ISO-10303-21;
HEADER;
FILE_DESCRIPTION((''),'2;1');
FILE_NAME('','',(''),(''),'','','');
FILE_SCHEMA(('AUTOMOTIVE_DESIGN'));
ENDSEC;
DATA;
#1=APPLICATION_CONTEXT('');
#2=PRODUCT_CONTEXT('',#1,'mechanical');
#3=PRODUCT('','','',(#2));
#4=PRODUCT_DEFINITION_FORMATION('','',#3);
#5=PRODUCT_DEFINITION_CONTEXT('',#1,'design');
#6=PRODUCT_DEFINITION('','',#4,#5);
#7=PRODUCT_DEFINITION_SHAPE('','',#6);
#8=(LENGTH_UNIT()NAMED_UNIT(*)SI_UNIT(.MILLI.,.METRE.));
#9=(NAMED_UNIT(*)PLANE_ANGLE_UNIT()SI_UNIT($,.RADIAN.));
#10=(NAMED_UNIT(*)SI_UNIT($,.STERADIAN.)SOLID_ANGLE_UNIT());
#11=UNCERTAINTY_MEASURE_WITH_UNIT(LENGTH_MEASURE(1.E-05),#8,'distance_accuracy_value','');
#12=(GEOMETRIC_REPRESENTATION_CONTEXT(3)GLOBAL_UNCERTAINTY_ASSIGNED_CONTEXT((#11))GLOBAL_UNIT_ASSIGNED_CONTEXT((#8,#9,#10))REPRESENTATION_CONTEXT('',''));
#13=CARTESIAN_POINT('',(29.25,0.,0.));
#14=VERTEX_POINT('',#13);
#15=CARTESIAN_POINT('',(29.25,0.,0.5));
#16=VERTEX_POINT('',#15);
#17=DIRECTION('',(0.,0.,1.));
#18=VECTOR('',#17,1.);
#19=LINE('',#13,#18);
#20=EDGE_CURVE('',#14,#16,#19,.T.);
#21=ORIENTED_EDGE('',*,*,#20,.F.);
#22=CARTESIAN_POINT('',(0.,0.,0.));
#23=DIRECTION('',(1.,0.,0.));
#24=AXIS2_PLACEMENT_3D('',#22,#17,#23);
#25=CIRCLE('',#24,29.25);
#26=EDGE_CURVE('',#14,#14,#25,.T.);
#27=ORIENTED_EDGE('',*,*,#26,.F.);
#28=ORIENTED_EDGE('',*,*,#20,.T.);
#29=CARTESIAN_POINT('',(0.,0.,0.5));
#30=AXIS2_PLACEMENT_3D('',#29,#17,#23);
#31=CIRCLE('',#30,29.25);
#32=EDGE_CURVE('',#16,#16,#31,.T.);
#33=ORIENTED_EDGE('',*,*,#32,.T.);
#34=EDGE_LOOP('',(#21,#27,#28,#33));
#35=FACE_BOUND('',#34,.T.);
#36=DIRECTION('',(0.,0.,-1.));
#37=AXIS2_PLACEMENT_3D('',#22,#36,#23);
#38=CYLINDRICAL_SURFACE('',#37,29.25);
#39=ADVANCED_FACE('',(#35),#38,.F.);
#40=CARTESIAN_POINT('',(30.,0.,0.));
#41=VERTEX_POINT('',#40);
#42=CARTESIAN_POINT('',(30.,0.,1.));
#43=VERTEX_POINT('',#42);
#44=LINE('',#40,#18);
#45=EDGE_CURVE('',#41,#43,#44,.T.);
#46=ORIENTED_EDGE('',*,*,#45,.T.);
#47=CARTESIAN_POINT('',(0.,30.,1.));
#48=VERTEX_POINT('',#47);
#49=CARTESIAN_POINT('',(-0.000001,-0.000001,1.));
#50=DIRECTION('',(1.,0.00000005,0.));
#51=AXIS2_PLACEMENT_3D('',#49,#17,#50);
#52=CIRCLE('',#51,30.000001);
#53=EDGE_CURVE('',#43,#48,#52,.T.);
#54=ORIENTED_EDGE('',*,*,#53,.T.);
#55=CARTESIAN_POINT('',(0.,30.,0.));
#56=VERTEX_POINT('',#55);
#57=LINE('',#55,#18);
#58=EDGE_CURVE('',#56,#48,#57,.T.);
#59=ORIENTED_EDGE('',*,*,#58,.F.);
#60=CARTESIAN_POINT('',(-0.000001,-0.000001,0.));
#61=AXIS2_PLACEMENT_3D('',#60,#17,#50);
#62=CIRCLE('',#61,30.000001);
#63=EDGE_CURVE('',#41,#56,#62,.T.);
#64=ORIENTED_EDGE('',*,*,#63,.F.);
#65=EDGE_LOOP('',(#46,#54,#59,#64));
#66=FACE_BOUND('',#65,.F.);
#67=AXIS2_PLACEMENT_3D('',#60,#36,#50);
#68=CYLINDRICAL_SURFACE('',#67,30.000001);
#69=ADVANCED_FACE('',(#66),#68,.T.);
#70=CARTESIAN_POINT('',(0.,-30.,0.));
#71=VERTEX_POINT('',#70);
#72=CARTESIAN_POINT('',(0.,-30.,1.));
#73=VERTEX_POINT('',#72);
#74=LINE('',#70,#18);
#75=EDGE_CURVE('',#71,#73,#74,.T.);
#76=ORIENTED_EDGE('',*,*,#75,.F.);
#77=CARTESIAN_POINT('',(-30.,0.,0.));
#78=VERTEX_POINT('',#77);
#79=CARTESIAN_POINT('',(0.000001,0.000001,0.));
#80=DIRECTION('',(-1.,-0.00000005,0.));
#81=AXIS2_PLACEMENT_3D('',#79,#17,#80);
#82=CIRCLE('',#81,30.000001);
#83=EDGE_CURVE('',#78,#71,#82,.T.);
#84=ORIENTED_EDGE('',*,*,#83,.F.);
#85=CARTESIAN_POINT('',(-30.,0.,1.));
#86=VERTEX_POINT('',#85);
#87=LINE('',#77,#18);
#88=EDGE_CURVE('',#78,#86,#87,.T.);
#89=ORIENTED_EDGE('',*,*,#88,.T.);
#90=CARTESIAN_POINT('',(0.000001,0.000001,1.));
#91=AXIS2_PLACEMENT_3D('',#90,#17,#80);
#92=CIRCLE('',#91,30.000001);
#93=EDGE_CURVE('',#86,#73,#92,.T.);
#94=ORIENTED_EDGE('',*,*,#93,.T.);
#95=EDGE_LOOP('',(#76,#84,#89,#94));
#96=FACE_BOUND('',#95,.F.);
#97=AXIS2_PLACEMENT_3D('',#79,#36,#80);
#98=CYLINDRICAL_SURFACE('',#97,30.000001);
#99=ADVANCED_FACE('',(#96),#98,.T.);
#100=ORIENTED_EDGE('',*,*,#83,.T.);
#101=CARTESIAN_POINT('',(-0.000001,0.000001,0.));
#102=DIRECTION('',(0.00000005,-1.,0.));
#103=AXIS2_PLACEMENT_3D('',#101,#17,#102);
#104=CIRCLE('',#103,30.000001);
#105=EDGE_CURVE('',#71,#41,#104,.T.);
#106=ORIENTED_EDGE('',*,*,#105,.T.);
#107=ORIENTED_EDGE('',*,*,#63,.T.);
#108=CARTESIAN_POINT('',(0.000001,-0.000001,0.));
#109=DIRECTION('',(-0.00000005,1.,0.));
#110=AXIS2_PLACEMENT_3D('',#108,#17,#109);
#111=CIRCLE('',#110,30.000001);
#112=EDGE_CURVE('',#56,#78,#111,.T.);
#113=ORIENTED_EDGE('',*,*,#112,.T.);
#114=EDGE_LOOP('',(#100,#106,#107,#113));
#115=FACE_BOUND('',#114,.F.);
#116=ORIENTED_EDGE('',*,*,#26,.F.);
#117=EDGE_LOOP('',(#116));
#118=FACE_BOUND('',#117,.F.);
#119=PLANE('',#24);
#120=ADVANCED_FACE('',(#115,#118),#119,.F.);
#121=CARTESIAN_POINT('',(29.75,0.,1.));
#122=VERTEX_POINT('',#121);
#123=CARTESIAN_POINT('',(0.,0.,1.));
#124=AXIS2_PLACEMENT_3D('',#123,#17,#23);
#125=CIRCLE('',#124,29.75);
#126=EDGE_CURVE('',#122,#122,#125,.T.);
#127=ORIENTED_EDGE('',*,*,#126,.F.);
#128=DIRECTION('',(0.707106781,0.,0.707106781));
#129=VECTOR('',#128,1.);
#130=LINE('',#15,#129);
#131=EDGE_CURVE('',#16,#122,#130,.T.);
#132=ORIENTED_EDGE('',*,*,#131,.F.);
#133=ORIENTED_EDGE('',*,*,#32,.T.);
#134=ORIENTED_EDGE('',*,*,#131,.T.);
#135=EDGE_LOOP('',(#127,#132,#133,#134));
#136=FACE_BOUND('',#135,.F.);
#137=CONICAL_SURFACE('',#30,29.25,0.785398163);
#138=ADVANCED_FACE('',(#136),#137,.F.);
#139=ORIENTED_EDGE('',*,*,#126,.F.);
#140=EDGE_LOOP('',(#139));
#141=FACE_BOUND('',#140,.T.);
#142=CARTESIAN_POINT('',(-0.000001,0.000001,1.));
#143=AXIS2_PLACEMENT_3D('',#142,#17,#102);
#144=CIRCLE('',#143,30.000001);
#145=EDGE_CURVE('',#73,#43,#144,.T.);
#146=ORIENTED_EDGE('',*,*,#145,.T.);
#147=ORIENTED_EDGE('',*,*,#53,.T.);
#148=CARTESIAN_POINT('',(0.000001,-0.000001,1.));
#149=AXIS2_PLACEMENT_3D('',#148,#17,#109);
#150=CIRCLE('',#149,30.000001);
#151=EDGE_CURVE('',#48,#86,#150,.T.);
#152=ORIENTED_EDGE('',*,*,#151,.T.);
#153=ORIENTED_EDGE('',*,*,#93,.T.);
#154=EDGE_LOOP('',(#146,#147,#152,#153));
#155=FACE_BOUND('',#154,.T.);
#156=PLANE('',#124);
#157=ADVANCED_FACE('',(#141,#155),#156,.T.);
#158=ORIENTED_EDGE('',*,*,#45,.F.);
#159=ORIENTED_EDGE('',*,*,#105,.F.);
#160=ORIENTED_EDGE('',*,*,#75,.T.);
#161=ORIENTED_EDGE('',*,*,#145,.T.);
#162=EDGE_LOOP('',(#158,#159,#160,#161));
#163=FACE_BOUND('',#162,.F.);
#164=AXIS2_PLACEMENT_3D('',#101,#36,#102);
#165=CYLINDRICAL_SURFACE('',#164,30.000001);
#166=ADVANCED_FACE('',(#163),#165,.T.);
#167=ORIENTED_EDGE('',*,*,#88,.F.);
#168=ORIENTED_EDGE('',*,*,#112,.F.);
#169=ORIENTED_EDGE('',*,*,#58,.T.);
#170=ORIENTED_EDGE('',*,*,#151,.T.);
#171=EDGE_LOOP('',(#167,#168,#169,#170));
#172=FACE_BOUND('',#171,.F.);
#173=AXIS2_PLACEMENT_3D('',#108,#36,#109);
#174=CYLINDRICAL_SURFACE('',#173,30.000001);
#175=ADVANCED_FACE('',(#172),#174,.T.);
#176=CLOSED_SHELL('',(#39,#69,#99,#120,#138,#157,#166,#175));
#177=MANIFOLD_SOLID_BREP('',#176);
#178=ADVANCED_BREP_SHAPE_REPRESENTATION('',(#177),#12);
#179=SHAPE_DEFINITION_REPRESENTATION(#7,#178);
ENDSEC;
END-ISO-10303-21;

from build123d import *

# Parameters (mm, degrees)
F0_R     = 29.25
F1_DEPTH = 1
F2_SIZE  = 0.5


with BuildPart() as f1:
    # F0 (on Top) → F1 (new body)
    with BuildSketch(Plane.XY):
        with BuildLine():
            ThreePointArc((30, 0), (21.213203, 21.213203), (0, 30))
            ThreePointArc((0, 30), (-21.213203, 21.213203), (-30, 0))
            ThreePointArc((-30, 0), (-21.213203, -21.213203), (0, -30))
            ThreePointArc((0, -30), (21.213203, -21.213203), (30, 0))
        make_face()
        Circle(F0_R, mode=Mode.SUBTRACT)
    extrude(amount=F1_DEPTH)

    # F2
    f2_edges = [f1.edges().sort_by_distance(p)[0] for p in [
        (-29.25, 0, 1),
    ]]
    chamfer(f2_edges, length=F2_SIZE)


solid = f1.part
